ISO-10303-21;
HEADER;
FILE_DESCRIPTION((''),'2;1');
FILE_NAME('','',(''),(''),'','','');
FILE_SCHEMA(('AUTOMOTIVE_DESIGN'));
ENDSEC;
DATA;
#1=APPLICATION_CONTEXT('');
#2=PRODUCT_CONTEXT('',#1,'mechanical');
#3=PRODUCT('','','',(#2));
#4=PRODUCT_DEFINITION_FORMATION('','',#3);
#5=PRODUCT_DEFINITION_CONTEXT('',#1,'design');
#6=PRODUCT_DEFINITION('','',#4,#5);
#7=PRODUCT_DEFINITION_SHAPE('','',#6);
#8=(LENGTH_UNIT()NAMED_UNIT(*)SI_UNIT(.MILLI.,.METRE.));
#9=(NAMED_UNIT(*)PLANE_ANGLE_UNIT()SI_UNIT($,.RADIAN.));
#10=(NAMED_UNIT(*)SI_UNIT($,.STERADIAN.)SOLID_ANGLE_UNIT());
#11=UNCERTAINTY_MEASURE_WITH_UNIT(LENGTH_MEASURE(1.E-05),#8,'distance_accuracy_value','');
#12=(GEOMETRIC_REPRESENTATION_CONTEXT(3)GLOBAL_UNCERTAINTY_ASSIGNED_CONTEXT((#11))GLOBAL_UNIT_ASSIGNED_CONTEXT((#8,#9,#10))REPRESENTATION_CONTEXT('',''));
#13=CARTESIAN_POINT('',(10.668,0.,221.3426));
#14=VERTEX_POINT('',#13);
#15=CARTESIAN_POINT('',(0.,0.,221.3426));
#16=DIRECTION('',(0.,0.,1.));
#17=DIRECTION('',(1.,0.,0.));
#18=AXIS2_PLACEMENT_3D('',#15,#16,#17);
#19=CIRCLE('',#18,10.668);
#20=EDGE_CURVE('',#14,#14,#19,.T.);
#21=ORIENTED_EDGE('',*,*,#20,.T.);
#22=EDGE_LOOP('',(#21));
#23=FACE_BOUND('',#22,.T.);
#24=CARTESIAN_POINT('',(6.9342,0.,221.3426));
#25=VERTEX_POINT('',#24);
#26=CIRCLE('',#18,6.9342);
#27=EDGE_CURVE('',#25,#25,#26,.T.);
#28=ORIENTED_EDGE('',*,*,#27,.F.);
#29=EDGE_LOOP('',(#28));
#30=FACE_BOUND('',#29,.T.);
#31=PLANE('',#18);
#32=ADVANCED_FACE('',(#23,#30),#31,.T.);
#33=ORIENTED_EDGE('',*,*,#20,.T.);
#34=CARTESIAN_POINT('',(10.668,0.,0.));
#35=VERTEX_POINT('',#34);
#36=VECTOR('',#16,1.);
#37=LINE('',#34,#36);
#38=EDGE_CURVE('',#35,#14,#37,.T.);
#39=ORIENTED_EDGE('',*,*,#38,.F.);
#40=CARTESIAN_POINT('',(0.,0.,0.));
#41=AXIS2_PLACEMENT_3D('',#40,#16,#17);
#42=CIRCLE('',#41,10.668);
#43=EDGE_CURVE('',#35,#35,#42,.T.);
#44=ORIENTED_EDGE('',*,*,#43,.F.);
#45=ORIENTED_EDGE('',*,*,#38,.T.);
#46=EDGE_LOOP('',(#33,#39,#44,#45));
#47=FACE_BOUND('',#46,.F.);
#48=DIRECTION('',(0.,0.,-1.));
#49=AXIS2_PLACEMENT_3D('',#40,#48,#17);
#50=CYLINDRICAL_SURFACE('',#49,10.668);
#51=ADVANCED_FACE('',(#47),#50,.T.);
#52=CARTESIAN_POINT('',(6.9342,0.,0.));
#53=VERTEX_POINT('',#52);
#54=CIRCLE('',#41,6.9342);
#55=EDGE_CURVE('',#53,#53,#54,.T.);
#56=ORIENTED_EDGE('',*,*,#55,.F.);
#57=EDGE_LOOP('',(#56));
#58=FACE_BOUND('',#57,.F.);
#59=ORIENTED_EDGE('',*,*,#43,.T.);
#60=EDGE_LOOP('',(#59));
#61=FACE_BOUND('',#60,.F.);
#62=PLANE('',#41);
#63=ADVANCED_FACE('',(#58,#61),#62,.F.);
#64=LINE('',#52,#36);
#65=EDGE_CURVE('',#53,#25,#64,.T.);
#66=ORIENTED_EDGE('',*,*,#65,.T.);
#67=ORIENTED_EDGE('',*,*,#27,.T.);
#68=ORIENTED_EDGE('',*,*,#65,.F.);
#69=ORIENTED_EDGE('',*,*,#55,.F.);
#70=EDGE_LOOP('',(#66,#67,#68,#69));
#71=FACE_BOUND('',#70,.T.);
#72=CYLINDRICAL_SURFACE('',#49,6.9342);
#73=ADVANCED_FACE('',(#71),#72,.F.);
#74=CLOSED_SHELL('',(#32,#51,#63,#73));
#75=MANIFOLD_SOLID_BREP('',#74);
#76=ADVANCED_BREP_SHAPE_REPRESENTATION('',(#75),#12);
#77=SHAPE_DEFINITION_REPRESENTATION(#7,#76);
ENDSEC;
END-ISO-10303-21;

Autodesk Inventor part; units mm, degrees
ref_plane "YZ Plane" through (0, 0, 0) normal (1, 0, 0) x (0, 1, 0)
ref_plane "Start Plane" through (0, 0, 0) normal (0, 0, 1) x (1, 0, 0)
ref_plane "End Plane" through (0, 0, 221.3426) normal (0, 0, 1) x (1, 0, 0)
sketch "Sketch" plane through (0, 0, 0) normal (0, 0, 1) x (1, 0, 0)
  circle A0 centre (0, 0) radius 6.9342
  circle A1 centre (0, 0) radius 10.668
  dimension "d0" = 21.336
  dimension "d1" = 3.7338
extrude "Body" add sketch "Sketch" along normal up to surface (221.3426 mm away) from surface at 0
sketch "Sketch3" plane through (0, 0, 0) normal (0, 0, 1) x (1, 0, 0)
  line L0 (0, 0) -> (10, 0)
ref_plane "Work Plane3" through (0, 0, 0) normal (0, -1, 0) x (1, 0, 0)
sketch "Sketch4" plane through (0, 0, 0) normal (0, -1, 0) x (1, 0, 0)
  line L0 (-2, 0) -> (12, 0)
  line L1 (-2, 221.3426) -> (12, 221.3426)
  dimension "d7" = 221.3426
equation "\"d0\" = G_H"
equation "\"d1\" = G_T"
equation "\"d2\" = G_L"
equation "\"G_H\" = 21.336"
equation "\"G_T\" = 3.7338"
equation "\"G_L\" = d7"
equation "\"G_OFFSET_START\" = 0"
equation "\"G_OFFSET_END\" = 0"
equation "\"d5\" = G_OFFSET_END + B_L"
equation "\"B_L\" = 221.34258"
properties part number "ANSI - 1/2 x 0.147 - 8.714" material "Steel, Mild"
